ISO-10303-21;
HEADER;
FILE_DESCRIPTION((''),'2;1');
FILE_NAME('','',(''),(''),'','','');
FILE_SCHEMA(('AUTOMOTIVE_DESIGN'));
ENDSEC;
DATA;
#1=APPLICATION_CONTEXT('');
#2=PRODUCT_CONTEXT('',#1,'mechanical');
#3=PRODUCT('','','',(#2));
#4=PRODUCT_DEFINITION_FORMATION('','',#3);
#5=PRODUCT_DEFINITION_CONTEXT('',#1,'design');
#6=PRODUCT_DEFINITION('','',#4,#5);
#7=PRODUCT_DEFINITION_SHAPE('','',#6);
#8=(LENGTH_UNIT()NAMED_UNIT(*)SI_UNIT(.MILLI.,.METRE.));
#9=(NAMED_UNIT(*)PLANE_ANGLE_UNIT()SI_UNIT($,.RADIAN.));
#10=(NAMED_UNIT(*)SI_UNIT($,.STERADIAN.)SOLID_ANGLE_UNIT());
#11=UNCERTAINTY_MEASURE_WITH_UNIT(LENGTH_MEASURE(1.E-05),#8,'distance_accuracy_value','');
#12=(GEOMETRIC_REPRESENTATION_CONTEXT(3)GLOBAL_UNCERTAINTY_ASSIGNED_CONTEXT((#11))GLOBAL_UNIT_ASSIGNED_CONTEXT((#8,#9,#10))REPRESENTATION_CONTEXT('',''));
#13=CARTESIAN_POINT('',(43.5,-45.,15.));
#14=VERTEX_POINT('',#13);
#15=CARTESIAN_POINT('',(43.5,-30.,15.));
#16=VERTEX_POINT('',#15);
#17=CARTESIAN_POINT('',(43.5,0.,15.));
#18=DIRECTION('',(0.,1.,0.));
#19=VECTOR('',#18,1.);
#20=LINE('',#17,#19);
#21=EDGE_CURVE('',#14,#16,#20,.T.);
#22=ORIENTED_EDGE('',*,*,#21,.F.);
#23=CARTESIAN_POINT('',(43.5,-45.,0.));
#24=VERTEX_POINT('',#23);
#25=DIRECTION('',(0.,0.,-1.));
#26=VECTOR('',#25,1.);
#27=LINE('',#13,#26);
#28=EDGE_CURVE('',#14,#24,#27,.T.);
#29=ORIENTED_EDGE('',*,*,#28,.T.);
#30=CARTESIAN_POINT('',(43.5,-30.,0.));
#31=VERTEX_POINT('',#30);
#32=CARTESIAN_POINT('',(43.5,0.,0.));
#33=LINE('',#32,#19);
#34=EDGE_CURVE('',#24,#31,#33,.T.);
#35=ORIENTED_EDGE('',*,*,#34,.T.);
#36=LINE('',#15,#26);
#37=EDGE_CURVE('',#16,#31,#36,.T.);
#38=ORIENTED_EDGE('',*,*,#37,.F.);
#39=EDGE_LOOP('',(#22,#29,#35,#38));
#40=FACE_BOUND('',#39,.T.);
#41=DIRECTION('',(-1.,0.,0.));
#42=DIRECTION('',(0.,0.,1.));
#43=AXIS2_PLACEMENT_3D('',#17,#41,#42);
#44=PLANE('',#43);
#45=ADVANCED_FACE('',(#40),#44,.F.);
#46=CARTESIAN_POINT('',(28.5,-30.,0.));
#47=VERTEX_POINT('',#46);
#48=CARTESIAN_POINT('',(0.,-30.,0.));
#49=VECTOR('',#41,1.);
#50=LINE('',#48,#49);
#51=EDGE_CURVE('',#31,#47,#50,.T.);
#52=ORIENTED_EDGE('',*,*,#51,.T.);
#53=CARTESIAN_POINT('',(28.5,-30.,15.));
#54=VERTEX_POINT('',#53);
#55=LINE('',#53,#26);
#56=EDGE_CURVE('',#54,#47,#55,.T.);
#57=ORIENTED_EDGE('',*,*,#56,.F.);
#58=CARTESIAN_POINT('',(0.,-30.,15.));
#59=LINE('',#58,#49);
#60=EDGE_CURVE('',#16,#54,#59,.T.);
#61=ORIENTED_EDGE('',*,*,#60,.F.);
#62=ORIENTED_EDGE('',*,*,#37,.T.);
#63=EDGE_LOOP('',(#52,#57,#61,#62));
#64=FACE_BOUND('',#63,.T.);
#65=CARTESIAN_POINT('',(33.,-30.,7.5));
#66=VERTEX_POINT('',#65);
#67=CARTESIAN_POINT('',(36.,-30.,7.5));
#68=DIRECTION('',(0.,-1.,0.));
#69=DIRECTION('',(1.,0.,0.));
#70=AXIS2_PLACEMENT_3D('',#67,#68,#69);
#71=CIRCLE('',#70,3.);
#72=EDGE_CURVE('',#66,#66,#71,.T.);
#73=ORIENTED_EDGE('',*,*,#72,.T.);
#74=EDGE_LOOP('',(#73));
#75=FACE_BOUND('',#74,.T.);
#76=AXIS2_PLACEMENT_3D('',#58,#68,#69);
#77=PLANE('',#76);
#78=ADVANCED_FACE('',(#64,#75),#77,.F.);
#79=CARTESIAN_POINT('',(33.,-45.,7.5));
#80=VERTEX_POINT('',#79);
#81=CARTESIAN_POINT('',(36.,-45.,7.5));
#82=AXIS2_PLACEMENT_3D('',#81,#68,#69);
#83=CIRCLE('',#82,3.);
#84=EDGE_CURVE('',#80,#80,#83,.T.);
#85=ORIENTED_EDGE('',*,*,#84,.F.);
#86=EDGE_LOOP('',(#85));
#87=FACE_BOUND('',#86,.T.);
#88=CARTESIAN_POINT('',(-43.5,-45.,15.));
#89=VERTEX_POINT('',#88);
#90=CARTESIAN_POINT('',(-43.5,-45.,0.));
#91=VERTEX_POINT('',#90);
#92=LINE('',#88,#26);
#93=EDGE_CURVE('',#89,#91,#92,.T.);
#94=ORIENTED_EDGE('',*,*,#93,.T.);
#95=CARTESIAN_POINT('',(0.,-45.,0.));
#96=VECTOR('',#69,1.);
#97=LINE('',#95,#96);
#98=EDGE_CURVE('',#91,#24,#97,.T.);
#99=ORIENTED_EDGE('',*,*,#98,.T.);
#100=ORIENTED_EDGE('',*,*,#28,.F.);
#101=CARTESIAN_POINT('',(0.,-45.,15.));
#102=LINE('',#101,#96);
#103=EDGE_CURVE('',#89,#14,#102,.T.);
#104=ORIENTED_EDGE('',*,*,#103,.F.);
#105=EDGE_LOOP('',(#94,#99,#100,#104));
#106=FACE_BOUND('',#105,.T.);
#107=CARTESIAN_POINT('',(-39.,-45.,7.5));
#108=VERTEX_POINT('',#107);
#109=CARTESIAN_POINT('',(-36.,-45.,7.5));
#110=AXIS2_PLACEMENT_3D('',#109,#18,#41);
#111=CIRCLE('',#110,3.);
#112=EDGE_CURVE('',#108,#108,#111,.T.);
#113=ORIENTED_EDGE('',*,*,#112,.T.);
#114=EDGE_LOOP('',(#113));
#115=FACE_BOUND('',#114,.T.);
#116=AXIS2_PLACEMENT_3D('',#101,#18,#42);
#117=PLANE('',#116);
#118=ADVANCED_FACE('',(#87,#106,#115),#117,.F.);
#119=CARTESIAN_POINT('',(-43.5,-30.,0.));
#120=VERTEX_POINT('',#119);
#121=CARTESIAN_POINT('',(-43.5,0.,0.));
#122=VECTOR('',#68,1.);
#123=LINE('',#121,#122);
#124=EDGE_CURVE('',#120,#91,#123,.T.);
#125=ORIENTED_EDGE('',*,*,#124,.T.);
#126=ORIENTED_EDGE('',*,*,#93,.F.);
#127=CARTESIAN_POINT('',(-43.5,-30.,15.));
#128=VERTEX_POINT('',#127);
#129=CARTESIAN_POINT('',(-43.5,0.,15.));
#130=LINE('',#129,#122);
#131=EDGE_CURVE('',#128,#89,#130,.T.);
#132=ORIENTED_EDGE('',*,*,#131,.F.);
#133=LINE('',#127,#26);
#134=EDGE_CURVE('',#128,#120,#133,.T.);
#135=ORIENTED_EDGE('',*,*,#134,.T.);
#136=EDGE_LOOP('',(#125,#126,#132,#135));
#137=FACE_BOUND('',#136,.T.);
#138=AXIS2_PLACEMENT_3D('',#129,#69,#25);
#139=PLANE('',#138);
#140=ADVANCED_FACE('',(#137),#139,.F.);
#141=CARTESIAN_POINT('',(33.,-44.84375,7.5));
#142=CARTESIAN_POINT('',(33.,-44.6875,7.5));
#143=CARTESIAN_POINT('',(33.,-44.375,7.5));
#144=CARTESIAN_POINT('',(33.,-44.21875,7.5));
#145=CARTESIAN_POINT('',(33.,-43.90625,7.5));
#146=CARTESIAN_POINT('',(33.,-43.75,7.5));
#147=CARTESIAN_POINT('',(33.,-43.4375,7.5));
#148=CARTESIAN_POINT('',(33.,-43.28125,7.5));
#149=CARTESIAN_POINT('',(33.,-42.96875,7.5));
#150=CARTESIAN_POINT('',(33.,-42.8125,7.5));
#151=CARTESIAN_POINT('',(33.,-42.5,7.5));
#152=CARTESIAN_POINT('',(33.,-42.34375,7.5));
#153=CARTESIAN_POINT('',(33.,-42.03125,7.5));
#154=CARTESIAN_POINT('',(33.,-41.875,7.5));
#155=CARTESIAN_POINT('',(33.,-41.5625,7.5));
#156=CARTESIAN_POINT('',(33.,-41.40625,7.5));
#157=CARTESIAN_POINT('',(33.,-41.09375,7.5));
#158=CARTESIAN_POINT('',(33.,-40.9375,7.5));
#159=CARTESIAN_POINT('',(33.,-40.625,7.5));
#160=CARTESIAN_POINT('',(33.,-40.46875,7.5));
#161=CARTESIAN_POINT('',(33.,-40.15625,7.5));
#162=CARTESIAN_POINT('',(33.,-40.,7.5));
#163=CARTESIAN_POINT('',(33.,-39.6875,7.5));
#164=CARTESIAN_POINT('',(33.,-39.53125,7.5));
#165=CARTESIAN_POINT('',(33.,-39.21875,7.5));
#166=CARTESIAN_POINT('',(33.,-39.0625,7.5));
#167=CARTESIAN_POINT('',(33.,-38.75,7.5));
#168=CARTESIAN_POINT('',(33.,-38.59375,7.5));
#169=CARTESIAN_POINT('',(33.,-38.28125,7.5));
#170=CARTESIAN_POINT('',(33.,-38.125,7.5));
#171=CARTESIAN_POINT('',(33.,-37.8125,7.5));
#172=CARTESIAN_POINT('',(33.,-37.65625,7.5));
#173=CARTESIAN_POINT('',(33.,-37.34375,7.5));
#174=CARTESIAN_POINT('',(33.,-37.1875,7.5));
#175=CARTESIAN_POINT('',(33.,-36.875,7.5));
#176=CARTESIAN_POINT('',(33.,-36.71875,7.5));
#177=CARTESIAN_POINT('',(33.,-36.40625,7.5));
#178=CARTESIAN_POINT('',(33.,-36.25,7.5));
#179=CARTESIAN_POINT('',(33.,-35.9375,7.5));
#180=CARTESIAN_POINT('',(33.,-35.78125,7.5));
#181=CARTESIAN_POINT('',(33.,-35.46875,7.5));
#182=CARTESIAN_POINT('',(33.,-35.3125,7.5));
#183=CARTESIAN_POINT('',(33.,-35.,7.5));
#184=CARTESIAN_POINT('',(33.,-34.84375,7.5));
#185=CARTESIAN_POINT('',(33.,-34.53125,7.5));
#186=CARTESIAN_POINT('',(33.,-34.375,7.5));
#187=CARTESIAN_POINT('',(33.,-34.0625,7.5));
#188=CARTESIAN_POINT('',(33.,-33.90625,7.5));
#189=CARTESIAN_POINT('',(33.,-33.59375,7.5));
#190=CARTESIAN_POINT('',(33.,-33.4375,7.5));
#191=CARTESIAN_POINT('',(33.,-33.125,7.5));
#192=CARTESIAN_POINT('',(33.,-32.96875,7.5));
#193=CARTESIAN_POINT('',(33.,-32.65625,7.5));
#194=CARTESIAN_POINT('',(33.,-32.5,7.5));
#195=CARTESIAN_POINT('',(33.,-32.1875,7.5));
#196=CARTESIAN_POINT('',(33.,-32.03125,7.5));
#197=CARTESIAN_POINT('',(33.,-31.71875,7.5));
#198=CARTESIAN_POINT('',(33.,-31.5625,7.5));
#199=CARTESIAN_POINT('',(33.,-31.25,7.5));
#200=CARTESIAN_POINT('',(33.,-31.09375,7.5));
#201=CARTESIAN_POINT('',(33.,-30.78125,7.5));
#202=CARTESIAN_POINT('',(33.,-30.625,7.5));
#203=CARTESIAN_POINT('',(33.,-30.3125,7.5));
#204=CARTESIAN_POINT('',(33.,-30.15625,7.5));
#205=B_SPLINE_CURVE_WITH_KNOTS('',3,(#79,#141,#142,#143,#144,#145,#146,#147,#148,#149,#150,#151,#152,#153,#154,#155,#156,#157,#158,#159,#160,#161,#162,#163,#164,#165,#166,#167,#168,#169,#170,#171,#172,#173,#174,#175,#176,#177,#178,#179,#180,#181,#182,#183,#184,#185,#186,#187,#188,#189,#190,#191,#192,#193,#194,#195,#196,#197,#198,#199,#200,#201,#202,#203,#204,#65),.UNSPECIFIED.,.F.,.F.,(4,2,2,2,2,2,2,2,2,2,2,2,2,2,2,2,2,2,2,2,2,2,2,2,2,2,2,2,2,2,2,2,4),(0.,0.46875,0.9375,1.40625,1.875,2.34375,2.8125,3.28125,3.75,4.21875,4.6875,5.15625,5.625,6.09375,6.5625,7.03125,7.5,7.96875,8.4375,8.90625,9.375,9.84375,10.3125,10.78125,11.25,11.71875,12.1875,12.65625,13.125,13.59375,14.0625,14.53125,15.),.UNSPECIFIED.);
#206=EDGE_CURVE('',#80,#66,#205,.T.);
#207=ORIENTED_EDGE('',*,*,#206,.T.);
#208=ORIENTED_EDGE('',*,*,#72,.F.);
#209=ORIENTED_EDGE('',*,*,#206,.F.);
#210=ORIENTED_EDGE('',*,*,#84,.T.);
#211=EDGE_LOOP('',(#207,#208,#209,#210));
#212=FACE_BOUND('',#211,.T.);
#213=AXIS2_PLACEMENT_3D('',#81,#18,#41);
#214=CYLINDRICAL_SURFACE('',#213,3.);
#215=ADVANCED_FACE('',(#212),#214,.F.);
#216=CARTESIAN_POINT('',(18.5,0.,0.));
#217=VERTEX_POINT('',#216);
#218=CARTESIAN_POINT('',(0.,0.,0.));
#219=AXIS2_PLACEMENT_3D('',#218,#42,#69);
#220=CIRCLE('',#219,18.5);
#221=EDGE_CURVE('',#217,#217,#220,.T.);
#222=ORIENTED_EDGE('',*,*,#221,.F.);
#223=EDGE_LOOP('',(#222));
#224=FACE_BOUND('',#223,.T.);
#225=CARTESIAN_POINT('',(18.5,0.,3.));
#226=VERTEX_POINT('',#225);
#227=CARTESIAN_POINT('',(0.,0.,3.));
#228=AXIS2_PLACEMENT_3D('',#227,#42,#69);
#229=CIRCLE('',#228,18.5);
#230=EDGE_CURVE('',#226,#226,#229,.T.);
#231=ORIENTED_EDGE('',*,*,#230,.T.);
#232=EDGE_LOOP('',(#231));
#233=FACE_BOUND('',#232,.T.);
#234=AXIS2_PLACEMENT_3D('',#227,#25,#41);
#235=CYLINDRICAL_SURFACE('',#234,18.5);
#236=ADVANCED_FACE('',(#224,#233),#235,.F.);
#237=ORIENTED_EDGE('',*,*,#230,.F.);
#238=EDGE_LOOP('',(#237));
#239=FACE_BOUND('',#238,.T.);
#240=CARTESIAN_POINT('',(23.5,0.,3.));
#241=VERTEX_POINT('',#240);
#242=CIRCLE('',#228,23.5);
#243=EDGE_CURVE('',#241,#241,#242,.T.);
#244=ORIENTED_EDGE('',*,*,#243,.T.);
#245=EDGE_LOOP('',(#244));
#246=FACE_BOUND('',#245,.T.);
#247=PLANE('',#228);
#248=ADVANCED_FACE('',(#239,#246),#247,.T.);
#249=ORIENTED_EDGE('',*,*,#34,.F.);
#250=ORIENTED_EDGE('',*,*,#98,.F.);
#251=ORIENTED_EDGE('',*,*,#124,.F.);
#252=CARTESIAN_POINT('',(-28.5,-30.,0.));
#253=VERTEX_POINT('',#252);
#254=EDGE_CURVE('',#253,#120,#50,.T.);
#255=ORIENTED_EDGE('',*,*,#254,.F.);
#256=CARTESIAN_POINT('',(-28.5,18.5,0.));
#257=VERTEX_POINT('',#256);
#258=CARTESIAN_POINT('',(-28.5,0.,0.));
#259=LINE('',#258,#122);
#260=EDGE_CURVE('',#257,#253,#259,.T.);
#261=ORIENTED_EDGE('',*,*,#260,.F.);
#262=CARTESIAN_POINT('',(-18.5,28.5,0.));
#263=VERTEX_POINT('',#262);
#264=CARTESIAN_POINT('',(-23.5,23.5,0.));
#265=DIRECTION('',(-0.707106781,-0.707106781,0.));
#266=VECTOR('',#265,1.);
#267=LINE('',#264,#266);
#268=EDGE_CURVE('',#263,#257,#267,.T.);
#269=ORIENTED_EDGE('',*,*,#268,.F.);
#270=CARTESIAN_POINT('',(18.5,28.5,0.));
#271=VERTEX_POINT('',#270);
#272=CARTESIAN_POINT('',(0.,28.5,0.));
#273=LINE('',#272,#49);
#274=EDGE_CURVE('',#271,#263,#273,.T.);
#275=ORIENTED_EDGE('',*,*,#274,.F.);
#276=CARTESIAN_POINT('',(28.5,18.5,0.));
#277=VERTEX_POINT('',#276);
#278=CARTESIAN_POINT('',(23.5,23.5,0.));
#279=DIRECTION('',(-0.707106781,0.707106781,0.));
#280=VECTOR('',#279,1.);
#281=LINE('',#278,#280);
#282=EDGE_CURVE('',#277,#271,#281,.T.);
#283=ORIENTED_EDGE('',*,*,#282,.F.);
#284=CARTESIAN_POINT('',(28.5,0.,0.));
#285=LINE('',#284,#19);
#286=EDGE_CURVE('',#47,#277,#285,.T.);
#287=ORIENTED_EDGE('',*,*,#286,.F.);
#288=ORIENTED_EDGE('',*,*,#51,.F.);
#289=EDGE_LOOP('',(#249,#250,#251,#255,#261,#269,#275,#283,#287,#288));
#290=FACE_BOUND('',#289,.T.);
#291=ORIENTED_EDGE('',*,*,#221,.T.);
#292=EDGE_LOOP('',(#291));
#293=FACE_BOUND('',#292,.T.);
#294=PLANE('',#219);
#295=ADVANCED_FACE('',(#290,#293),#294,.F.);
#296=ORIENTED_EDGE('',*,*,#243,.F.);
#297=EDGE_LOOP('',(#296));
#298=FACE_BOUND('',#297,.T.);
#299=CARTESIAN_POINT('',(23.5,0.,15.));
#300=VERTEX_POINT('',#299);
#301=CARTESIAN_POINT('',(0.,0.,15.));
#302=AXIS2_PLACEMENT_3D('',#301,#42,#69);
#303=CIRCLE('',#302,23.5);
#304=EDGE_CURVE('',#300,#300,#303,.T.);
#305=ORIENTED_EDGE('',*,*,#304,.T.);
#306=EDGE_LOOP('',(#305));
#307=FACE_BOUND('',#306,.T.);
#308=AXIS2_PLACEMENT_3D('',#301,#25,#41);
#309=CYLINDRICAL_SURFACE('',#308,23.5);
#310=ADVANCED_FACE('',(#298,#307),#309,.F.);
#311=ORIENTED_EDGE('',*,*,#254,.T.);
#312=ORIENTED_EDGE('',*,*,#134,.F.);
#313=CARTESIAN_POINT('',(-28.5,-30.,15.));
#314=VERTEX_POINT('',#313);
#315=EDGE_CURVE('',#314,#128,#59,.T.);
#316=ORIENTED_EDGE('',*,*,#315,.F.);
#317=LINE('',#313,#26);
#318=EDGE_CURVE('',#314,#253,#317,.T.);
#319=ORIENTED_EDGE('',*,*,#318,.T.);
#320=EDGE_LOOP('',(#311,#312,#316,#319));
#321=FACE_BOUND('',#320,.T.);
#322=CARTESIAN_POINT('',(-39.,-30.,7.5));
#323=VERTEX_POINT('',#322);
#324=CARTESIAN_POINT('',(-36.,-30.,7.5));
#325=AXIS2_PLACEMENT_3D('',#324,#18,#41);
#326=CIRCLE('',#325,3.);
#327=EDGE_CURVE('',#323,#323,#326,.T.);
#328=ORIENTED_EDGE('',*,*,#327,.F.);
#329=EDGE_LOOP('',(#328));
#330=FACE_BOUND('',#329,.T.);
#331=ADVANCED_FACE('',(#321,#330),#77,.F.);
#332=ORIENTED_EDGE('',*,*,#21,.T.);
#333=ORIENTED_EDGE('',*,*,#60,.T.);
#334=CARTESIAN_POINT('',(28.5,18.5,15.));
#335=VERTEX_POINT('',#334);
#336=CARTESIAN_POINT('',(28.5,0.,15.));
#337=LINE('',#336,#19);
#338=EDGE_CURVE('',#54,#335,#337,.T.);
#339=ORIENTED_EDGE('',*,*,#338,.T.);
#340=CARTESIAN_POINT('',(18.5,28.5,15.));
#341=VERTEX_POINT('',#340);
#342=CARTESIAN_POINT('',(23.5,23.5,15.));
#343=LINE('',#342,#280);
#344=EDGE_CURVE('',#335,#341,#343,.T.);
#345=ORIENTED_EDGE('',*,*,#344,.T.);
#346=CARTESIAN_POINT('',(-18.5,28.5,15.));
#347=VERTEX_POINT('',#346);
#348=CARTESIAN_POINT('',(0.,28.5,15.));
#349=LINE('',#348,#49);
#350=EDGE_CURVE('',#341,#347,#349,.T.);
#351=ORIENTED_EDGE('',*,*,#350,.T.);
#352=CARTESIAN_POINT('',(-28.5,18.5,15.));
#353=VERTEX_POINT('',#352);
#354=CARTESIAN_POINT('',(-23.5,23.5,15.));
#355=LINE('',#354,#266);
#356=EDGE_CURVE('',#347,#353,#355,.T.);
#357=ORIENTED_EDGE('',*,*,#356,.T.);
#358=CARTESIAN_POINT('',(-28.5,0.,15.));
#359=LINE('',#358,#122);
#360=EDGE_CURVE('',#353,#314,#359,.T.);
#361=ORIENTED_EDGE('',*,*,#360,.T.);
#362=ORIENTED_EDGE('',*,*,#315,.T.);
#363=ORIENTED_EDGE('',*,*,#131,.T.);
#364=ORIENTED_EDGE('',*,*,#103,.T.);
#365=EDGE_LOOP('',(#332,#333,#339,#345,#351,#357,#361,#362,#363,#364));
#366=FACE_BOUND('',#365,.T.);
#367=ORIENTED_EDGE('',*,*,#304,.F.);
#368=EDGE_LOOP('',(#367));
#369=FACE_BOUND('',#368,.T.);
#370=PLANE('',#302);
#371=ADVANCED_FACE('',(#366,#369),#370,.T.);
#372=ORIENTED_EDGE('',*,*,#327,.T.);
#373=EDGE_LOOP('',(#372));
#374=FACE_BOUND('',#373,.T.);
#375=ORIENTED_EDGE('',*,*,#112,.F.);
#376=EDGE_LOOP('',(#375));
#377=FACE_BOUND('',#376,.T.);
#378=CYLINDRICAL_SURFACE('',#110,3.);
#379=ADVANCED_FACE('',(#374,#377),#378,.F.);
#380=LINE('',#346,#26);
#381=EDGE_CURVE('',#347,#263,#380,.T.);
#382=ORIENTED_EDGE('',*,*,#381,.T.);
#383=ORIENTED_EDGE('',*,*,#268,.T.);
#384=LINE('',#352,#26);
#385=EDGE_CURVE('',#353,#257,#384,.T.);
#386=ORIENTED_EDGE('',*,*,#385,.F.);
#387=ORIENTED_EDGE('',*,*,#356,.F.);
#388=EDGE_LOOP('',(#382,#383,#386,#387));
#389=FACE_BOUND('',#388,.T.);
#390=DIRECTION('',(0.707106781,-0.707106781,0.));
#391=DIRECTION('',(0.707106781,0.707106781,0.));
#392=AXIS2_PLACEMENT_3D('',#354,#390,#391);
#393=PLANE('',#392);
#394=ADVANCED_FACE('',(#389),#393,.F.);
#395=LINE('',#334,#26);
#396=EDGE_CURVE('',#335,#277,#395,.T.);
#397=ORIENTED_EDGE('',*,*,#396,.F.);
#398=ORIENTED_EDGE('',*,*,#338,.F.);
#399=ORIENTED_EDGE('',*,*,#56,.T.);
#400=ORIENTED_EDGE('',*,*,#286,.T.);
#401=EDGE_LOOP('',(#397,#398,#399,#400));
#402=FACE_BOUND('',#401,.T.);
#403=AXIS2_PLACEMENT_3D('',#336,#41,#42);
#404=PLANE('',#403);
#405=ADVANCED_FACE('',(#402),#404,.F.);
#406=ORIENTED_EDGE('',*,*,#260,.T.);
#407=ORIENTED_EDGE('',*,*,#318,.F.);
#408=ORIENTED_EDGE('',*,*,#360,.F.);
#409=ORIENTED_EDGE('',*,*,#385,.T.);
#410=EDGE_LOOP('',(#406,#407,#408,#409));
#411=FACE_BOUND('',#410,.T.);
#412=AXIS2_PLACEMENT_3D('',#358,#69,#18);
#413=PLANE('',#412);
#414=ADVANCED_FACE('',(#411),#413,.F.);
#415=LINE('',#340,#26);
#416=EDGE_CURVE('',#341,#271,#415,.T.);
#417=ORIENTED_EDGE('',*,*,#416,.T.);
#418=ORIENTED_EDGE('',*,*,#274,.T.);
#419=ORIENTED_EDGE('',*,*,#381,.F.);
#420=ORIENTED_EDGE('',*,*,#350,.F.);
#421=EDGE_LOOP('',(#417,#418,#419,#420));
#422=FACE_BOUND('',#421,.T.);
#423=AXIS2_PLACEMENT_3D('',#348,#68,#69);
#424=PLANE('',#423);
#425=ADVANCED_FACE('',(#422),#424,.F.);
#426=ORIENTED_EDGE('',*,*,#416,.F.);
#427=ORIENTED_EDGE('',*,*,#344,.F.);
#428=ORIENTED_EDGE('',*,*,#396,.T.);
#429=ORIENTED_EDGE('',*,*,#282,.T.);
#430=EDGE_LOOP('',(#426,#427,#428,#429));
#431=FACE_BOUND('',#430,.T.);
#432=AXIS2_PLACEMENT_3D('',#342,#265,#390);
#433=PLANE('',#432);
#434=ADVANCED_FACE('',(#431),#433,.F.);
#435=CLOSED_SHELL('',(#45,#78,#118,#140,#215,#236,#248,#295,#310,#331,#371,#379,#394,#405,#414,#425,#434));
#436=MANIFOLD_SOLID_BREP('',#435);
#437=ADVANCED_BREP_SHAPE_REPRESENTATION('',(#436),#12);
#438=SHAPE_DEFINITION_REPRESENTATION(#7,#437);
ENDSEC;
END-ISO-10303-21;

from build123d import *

# Parameters (mm, degrees)
SKETCH_1_R          = 23.5
EXTRUDE_1_DEPTH     = 15
SKETCH_1_3_R        = 23.5
SKETCH_1_3_R_2      = 18.5
EXTRUDE_2_DEPTH     = 3
SKETCH_2_R          = 3
CUT_EXTRUDE_1_DEPTH = 75.42781738


with BuildPart() as part:
    # 草图1 → 凸台-拉伸1 (new body)
    with BuildSketch(Plane.XY):
        Polygon((-18.5, 28.5), (-28.5, 18.5), (-28.5, -30), (-43.5, -30), (-43.5, -45), (43.5, -45), (43.5, -30), (28.5, -30), (28.5, 18.5), (18.5, 28.5), align=None)
        Circle(SKETCH_1_R, mode=Mode.SUBTRACT)
    extrude(amount=EXTRUDE_1_DEPTH)

    # 草图1<3> → 凸台-拉伸2 (add)
    with BuildSketch(Plane.XY):
        Circle(SKETCH_1_3_R)
        Circle(SKETCH_1_3_R_2, mode=Mode.SUBTRACT)
    extrude(amount=EXTRUDE_2_DEPTH)

    # 草图2 → 切除-拉伸1 (cut, through all)
    with BuildSketch(Plane(origin=(0, -30, 0), x_dir=(1, 0, 0), z_dir=(0, 1, 0))):
        with Locations((-36, -7.5)):
            Circle(SKETCH_2_R)
    cut_extrude_1 = extrude(amount=-CUT_EXTRUDE_1_DEPTH, mode=Mode.SUBTRACT)

    # 镜向1: 切除-拉伸1 across plane
    add(cut_extrude_1.mirror(Plane(origin=(0, 0, 0), x_dir=(0, 0, 1), z_dir=(1, 0, 0))), mode=Mode.SUBTRACT)


solid = part.part
